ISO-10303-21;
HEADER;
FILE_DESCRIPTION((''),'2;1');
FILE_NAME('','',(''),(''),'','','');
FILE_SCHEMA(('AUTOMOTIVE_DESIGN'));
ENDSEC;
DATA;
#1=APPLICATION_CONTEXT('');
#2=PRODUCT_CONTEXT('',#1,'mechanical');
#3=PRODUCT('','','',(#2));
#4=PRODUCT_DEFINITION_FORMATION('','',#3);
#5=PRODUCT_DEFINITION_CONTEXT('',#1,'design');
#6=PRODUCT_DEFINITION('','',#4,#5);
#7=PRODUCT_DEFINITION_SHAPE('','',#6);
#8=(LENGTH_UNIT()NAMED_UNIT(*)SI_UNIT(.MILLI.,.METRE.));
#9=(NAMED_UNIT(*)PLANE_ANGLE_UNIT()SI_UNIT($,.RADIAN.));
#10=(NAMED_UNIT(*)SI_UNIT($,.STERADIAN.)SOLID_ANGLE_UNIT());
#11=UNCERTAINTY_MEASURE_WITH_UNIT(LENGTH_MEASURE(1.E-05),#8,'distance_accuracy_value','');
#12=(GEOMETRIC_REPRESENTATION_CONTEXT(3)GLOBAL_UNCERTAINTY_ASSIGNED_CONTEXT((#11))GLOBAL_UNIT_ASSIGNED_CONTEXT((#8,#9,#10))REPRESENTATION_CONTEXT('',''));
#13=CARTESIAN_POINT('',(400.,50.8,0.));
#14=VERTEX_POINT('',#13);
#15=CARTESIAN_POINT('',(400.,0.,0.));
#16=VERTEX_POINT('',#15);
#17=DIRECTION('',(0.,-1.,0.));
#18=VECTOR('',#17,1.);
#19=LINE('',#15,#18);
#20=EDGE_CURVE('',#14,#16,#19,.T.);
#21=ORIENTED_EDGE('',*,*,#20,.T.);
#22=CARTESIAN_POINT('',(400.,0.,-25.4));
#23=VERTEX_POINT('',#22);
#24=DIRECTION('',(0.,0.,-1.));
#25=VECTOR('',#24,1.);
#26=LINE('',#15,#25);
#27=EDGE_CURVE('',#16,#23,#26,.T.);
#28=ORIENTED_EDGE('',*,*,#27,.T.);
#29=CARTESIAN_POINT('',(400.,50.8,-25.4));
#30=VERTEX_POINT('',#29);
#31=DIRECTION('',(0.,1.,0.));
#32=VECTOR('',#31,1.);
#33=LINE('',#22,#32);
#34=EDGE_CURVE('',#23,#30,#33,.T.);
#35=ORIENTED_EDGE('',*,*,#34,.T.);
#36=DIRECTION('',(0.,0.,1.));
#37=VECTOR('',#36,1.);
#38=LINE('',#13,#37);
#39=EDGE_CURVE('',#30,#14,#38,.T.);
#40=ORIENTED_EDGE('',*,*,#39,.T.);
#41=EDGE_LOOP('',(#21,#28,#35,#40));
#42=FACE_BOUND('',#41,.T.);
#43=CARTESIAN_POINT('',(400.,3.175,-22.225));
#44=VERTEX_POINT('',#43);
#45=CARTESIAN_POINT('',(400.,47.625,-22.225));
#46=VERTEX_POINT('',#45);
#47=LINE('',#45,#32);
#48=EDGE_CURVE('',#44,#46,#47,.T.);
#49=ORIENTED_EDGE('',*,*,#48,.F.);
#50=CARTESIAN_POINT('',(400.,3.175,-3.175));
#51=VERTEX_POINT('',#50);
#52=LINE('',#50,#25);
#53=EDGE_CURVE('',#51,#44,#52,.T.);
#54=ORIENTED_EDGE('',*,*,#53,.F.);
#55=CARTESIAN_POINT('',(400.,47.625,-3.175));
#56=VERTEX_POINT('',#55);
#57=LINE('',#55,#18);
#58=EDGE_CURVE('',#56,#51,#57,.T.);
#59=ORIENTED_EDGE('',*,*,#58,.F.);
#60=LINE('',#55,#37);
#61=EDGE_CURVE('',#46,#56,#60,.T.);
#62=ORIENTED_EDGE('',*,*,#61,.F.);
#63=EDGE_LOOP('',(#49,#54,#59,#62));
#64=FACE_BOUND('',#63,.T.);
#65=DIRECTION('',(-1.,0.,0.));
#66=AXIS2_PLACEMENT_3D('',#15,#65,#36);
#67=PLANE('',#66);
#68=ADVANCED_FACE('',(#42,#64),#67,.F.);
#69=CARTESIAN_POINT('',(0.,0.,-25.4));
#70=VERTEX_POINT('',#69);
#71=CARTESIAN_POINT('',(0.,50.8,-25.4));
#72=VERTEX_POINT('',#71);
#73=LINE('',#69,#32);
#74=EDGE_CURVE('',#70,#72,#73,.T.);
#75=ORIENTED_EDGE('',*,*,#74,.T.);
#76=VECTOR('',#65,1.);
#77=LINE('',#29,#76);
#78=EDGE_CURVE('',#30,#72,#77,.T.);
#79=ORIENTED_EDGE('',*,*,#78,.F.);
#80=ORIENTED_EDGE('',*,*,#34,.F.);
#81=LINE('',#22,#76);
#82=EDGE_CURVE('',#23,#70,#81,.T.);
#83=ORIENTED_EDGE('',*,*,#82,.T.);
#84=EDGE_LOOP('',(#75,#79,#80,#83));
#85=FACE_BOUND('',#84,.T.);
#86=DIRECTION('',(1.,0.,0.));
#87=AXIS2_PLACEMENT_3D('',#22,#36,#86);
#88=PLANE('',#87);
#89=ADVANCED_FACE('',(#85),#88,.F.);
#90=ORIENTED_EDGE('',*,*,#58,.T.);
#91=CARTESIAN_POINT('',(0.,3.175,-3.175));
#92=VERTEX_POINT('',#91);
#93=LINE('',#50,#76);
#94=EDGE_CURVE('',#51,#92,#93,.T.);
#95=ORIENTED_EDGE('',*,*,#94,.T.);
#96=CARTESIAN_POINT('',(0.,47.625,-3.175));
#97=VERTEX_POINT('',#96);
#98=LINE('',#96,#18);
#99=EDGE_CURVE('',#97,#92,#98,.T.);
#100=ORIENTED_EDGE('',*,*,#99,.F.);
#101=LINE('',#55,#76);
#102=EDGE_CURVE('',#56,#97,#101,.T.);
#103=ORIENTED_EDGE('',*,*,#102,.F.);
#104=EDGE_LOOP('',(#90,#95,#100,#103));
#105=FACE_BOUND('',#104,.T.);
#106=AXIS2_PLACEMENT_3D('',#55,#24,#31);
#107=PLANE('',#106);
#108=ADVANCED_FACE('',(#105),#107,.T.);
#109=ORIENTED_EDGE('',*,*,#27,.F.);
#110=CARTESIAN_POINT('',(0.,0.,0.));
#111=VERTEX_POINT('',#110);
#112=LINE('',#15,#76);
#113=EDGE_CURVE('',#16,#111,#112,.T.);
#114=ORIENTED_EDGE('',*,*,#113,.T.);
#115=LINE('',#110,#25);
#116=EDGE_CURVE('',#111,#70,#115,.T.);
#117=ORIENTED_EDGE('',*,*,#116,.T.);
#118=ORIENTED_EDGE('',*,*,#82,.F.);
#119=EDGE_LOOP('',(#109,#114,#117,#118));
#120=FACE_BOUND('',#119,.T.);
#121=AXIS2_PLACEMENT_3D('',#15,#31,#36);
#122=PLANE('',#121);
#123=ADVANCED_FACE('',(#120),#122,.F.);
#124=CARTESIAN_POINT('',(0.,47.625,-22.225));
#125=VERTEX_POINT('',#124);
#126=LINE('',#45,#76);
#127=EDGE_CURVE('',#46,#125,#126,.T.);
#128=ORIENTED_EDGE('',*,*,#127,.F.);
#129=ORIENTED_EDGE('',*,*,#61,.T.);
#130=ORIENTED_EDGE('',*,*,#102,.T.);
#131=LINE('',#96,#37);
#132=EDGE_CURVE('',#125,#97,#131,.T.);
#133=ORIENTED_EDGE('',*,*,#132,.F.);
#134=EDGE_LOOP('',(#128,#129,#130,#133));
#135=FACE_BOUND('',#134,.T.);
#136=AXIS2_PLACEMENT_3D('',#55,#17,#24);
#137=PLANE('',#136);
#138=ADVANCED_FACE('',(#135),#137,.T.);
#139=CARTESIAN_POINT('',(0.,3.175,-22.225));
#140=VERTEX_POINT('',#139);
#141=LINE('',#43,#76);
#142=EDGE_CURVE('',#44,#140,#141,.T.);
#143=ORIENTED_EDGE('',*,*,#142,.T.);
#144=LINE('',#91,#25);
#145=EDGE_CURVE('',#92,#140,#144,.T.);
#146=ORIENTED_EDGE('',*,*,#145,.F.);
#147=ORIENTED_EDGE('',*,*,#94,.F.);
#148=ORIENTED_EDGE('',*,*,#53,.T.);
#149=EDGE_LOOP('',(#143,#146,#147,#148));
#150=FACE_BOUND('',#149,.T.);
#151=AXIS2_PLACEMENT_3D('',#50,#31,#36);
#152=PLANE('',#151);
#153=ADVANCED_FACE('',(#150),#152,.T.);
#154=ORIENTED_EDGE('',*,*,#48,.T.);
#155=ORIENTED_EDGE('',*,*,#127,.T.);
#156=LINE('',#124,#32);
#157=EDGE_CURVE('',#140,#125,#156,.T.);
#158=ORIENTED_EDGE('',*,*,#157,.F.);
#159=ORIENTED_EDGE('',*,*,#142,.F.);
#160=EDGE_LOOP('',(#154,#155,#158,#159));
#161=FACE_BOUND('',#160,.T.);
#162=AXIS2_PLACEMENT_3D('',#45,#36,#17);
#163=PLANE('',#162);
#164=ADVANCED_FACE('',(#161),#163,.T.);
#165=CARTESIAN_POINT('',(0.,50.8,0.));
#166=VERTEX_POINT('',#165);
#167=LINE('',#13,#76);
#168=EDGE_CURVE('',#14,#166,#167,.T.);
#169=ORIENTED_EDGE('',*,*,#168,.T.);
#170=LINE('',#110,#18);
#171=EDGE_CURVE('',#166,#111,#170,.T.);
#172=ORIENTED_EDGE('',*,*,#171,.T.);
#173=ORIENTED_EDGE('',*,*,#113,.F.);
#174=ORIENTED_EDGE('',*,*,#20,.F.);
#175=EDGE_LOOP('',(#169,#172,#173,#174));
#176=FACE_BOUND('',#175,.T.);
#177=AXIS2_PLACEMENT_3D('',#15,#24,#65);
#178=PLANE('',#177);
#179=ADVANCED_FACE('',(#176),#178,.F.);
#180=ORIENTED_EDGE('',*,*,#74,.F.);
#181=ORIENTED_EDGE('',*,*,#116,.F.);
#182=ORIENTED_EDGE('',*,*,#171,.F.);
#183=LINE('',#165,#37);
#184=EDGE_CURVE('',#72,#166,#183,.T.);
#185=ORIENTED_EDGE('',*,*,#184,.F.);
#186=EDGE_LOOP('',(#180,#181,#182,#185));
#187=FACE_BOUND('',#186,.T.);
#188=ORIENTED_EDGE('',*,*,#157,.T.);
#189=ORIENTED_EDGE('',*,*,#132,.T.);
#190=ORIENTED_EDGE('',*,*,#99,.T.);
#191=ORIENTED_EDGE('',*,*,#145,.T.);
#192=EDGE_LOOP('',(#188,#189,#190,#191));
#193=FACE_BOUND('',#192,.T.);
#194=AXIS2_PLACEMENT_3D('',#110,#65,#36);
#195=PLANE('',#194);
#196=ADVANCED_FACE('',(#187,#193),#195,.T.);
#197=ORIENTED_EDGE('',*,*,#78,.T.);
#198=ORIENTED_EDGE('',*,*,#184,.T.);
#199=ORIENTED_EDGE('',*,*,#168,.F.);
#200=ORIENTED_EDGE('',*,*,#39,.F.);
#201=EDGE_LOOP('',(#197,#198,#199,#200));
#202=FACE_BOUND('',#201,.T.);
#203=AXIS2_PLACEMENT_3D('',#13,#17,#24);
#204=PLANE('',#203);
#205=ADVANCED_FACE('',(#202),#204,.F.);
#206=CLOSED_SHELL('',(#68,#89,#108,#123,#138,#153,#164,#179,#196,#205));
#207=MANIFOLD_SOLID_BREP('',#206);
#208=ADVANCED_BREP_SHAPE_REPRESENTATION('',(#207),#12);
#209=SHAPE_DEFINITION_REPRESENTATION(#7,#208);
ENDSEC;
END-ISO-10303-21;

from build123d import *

# Parameters (mm, degrees)
SKETCH1_W           = 25.4
SKETCH1_H           = 50.8
SKETCH1_W_2         = 19.05
SKETCH1_H_2         = 44.45
BOSS_EXTRUDE1_DEPTH = 400


with BuildPart() as part:
    # Sketch1 → Boss-Extrude1 (new body)
    with BuildSketch(Plane(origin=(0, 0, 0), x_dir=(0, 0, -1), z_dir=(1, 0, 0))):
        with Locations((12.7, 25.4)):
            Rectangle(SKETCH1_W, SKETCH1_H)
        with Locations((12.7, 25.4)):
            Rectangle(SKETCH1_W_2, SKETCH1_H_2, mode=Mode.SUBTRACT)
    extrude(amount=BOSS_EXTRUDE1_DEPTH)


solid = part.part
